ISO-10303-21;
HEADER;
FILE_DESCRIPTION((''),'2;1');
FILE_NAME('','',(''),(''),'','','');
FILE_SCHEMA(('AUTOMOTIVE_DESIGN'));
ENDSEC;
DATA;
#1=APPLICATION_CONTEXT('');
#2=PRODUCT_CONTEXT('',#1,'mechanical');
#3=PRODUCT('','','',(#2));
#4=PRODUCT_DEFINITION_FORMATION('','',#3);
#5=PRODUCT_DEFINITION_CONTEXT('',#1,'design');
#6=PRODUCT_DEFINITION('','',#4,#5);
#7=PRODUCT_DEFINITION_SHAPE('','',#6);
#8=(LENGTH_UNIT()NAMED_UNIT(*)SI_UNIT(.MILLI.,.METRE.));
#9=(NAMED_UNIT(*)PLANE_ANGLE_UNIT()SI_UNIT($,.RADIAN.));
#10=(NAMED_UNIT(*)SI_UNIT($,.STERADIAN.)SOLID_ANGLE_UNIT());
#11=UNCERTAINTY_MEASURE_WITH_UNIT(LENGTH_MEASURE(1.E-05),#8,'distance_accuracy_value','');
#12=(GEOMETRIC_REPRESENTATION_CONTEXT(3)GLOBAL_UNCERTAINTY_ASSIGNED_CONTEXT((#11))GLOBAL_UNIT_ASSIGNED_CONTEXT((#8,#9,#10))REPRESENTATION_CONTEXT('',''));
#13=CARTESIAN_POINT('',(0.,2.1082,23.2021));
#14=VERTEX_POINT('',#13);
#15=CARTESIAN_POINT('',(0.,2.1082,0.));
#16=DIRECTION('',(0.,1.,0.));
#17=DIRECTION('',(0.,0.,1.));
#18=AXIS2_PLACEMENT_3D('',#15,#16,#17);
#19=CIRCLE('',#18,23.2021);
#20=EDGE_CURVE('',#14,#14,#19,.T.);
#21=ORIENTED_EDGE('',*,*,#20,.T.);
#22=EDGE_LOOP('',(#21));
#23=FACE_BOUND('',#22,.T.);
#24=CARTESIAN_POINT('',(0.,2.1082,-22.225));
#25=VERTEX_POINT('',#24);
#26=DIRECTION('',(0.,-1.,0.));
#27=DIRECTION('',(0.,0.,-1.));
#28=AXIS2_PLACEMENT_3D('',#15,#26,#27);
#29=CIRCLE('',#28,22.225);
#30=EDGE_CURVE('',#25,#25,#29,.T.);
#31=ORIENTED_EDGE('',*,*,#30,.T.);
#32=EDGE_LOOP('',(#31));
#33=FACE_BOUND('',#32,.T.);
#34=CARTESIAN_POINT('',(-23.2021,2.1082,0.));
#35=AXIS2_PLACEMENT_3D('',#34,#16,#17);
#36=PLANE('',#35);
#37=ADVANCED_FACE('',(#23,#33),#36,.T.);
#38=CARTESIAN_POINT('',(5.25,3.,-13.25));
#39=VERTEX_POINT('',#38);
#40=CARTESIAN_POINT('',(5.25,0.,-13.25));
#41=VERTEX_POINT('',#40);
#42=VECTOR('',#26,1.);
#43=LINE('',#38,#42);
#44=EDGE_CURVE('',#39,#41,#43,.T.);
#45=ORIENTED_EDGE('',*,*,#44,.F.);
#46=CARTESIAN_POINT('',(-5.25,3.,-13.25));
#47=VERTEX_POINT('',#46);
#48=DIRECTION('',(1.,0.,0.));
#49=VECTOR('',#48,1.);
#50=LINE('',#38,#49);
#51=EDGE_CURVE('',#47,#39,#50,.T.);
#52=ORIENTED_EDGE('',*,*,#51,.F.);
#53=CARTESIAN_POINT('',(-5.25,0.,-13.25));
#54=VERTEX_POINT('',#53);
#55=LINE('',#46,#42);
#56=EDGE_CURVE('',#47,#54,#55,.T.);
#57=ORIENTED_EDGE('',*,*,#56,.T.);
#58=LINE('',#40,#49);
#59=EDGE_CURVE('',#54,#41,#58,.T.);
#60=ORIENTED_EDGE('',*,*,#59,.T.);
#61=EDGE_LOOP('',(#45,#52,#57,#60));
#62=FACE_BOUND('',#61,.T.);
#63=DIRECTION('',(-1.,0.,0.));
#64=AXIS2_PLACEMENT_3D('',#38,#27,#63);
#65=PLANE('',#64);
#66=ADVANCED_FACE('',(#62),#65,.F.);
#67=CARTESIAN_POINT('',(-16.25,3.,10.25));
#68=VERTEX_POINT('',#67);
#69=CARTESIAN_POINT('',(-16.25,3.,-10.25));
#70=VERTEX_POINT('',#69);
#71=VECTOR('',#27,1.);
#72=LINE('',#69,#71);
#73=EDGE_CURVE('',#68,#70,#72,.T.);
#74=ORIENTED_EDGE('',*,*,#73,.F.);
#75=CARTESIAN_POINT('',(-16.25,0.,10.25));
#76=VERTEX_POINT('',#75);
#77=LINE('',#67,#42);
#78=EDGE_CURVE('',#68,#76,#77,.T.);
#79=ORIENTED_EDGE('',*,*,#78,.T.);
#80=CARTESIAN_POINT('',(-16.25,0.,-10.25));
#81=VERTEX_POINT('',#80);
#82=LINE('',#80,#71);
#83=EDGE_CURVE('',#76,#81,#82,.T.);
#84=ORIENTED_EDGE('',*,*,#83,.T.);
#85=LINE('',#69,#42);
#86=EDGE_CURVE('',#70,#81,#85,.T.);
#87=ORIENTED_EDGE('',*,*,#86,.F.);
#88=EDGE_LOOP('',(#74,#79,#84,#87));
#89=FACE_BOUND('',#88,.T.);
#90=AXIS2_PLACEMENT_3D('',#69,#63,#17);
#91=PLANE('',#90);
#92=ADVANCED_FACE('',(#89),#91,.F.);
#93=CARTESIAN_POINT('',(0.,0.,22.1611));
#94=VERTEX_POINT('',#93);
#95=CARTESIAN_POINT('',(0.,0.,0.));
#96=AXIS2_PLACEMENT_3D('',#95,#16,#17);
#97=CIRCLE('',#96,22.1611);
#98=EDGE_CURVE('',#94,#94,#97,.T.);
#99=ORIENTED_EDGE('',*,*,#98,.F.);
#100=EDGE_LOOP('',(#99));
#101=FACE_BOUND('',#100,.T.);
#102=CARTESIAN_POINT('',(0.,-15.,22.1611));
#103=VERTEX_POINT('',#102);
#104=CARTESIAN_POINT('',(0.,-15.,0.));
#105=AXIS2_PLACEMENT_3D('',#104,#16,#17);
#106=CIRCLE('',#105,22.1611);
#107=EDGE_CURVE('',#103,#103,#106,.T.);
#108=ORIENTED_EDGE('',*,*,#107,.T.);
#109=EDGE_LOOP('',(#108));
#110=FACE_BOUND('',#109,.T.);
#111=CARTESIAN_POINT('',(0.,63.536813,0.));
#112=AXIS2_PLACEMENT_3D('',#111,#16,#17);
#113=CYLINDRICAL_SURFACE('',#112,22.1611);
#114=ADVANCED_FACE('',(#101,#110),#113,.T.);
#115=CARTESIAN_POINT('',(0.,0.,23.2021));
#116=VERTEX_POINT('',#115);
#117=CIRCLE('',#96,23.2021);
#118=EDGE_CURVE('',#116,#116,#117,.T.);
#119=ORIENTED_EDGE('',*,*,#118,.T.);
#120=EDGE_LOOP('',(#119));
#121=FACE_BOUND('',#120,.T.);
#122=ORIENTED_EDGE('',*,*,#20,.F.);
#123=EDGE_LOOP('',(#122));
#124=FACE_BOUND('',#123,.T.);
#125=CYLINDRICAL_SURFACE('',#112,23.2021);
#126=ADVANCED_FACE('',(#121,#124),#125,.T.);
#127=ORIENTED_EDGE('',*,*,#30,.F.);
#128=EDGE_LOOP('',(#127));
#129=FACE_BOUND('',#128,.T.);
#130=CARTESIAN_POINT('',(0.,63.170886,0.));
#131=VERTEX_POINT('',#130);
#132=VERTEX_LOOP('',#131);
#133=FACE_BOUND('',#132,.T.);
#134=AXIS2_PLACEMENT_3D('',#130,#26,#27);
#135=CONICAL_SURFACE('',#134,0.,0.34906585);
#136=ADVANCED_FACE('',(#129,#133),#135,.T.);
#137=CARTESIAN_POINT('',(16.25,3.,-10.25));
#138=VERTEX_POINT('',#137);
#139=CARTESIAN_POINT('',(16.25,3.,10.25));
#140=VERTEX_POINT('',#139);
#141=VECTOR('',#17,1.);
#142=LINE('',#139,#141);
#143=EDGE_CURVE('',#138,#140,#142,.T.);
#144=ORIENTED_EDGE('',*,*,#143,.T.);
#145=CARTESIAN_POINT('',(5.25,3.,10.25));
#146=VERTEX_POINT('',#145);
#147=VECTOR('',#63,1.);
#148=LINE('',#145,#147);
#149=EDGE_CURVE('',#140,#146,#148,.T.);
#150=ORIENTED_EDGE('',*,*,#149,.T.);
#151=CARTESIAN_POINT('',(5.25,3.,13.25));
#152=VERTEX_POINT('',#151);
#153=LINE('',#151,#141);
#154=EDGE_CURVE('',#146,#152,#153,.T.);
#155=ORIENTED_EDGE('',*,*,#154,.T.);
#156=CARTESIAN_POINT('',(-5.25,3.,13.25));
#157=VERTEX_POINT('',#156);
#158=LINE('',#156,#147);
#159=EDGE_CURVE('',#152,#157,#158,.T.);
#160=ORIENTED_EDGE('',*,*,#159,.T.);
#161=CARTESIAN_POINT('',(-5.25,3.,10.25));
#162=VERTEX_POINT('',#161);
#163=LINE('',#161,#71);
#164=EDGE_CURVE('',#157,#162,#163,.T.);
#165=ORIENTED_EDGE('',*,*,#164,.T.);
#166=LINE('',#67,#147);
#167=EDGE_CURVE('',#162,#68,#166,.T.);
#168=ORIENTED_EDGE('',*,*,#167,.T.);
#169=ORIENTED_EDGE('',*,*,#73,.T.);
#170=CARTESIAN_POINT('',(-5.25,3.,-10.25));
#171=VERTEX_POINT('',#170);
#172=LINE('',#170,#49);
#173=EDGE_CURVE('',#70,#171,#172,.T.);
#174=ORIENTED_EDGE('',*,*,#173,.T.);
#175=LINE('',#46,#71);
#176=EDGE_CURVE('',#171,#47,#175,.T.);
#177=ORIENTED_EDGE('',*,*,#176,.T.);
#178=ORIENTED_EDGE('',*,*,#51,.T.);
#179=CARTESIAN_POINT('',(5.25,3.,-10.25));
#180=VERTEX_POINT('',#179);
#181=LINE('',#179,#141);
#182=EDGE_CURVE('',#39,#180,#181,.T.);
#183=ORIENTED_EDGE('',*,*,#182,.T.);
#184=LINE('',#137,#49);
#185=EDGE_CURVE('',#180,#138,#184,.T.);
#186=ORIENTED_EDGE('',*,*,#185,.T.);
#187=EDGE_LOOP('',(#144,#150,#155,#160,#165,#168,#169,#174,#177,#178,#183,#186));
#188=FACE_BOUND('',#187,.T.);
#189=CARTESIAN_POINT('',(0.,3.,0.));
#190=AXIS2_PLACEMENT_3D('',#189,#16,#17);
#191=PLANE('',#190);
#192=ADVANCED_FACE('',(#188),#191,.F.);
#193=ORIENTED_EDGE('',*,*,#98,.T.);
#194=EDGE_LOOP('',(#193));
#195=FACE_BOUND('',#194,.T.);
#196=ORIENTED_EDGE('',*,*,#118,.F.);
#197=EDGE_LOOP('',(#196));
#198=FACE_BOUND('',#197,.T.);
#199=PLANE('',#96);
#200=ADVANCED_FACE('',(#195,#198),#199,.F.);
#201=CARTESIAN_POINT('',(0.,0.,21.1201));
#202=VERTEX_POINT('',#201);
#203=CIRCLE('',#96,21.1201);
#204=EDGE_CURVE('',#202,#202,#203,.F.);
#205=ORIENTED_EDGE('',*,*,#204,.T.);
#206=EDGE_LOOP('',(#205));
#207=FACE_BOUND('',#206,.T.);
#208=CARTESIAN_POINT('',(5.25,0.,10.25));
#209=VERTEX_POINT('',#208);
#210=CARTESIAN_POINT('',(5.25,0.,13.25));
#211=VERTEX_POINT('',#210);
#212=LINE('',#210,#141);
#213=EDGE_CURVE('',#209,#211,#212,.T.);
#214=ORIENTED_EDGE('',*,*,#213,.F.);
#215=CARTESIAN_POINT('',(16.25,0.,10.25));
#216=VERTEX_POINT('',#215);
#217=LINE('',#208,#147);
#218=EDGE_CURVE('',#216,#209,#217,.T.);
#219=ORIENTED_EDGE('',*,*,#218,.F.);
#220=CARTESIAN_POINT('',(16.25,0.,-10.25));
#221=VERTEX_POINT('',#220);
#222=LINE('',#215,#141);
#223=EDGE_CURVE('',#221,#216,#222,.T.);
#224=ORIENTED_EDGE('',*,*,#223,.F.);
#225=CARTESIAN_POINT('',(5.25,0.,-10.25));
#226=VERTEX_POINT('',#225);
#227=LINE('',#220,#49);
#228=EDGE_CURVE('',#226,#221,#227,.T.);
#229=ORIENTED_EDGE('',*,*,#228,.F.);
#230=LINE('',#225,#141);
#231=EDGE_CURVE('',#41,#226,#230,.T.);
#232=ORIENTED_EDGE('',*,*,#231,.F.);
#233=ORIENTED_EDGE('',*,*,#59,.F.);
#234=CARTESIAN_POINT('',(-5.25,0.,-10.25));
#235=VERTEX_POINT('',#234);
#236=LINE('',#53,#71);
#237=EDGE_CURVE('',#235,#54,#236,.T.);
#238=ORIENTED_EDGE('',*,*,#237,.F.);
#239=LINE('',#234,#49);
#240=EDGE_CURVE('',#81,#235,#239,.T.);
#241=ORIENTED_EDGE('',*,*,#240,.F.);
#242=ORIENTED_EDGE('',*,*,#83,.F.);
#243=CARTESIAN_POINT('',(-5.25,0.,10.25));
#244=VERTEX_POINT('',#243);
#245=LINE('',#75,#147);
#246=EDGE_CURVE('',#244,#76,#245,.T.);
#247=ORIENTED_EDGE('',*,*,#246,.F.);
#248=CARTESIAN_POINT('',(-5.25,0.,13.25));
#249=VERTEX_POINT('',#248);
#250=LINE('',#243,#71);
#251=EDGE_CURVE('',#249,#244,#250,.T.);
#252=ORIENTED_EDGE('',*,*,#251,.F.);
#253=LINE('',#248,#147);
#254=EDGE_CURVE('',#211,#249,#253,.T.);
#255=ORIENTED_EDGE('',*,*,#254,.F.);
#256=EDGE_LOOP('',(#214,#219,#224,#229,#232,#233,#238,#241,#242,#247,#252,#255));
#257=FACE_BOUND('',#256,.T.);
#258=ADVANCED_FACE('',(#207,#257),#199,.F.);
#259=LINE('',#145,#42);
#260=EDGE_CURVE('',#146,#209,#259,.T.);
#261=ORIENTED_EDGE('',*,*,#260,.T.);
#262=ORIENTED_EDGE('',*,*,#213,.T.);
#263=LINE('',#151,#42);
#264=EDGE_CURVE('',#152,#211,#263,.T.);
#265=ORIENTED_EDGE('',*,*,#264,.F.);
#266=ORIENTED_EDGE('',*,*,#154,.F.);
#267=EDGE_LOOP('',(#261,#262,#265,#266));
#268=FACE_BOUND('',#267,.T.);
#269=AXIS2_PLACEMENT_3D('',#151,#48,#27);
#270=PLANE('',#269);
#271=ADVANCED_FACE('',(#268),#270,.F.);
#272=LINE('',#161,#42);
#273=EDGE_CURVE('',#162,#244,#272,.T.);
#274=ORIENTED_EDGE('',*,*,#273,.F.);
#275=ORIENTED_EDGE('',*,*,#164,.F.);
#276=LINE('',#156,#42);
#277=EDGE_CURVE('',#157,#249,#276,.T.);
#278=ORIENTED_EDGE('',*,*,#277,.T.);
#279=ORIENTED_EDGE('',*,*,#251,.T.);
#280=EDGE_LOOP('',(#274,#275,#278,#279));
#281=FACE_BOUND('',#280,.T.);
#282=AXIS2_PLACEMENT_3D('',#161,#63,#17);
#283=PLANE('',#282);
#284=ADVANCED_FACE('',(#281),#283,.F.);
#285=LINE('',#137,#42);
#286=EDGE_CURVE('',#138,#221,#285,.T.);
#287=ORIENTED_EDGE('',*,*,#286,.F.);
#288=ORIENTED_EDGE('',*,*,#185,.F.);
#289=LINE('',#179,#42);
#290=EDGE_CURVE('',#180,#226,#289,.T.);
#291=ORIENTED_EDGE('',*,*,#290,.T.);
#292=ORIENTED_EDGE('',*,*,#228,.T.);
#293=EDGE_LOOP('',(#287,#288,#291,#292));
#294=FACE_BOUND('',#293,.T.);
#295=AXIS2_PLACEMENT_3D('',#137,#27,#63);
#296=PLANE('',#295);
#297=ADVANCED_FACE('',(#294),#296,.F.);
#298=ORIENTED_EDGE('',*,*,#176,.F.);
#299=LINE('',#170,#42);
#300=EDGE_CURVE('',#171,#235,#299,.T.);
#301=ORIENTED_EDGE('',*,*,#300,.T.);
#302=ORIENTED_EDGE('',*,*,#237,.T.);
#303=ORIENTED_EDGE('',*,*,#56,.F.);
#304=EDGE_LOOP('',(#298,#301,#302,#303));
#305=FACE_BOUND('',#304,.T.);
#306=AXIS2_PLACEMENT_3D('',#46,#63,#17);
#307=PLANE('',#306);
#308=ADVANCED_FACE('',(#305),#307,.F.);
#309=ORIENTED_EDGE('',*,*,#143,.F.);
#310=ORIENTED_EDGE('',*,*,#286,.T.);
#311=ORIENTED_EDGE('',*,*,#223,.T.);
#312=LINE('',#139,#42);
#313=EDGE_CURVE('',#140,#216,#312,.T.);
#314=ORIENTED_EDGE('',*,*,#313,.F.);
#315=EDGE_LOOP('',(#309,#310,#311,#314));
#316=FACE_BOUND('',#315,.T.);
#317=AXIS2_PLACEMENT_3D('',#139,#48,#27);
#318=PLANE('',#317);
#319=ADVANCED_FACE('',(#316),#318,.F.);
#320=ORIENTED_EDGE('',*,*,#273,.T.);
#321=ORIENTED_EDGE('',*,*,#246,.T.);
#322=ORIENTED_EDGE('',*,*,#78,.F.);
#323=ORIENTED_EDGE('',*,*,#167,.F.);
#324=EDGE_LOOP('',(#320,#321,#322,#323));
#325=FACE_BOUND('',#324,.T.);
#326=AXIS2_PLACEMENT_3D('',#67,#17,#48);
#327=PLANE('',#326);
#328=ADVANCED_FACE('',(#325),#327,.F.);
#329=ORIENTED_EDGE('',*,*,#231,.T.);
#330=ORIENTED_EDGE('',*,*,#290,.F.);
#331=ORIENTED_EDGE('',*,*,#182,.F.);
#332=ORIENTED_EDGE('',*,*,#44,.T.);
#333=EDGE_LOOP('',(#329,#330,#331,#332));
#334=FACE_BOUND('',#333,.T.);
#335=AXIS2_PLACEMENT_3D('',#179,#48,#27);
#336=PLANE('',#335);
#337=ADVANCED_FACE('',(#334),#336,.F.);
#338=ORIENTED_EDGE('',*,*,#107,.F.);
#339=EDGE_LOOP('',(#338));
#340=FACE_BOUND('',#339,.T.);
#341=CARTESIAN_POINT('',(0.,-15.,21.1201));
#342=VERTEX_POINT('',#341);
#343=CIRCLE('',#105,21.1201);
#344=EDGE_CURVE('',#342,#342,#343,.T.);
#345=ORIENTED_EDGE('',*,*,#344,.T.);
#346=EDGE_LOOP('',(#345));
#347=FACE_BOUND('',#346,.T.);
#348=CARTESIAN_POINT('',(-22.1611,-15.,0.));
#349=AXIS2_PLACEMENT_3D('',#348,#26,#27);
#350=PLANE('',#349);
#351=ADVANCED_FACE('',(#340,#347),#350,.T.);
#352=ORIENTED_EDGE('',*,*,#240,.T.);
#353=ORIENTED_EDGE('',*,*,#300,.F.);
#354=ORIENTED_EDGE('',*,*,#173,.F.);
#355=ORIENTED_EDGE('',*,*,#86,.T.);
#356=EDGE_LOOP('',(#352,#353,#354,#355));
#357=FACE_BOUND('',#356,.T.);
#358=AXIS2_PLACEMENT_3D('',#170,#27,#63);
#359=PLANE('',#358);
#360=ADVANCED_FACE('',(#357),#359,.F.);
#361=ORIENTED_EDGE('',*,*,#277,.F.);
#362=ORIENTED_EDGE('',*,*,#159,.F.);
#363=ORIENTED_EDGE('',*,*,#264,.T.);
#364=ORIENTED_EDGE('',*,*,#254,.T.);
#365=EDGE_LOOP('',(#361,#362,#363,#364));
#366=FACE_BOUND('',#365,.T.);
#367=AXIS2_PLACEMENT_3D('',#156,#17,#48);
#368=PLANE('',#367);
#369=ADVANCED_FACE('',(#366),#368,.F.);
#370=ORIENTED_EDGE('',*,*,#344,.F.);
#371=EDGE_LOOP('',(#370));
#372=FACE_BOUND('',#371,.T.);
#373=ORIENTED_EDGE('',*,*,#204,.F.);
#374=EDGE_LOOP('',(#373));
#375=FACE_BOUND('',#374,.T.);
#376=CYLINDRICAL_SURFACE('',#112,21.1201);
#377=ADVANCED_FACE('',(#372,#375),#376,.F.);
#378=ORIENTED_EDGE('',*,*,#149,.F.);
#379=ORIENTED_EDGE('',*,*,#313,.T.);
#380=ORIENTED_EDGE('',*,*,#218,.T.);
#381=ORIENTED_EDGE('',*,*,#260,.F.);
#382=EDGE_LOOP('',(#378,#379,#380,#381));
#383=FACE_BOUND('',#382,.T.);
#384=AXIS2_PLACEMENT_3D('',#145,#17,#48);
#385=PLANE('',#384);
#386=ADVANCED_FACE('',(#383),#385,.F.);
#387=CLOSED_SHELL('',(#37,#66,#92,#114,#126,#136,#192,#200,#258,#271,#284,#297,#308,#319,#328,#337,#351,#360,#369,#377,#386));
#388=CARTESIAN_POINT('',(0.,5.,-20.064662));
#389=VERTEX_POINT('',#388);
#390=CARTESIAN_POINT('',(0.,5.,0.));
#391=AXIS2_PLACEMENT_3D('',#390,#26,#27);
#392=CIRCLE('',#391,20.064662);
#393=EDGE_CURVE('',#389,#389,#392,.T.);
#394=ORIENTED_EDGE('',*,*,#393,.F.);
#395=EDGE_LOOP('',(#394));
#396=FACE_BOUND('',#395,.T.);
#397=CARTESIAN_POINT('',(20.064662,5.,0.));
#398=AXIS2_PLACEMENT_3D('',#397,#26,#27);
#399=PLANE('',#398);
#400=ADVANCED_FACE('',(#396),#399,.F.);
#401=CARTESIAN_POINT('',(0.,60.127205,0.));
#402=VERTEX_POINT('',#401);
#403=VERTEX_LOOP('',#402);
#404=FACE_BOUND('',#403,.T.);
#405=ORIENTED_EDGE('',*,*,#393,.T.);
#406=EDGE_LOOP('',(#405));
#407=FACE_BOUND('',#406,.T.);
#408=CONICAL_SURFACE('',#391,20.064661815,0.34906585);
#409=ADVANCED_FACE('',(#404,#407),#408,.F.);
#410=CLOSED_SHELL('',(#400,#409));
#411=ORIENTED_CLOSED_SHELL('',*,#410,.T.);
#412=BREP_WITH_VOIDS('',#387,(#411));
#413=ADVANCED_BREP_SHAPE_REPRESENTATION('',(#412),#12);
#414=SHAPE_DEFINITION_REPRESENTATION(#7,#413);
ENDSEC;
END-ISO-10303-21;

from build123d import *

# Parameters (mm, degrees)
CUT_EXTRUDE1_DEPTH = 3


with BuildPart() as part:
    # Sketch1 → Revolve1 (revolve)
    with BuildSketch(Plane.XY, mode=Mode.PRIVATE) as revolve1_sk:
        Polygon((0, 0), (-22.225, 0), (-22.225, 2.1082), (0, 63.170885647), (0, 60.127205267), (-20.064661815, 5), (0, 5), align=None)
    revolve(revolve1_sk.sketch.rotate(Axis((0, 0, 0), (0, 1, 0)), 270), axis=Axis((0, 0, 0), (0, 1, 0)))

    # Sketch9 → Revolve3 (revolve)
    with BuildSketch(Plane.XY, mode=Mode.PRIVATE) as revolve3_sk:
        Polygon((-22.1611, 0), (-22.1611, -15), (-21.1201, -15), (-21.1201, 2.1082), (-23.2021, 2.1082), (-23.2021, 0), align=None)
    revolve(revolve3_sk.sketch.rotate(Axis((0, 63.536813388, 0), (0, -1, 0)), 270), axis=Axis((0, 63.536813388, 0), (0, -1, 0)))

    # Sketch10 → Cut-Extrude1 (cut)
    with BuildSketch(Plane.XZ):
        Polygon((-5.25, 13.25), (5.25, 13.25), (5.25, 10.25), (16.25, 10.25), (16.25, -10.25), (5.25, -10.25), (5.25, -13.25), (-5.25, -13.25), (-5.25, -10.25), (-16.25, -10.25), (-16.25, 10.25), (-5.25, 10.25), align=None)
    extrude(amount=-CUT_EXTRUDE1_DEPTH, mode=Mode.SUBTRACT)


solid = part.part
